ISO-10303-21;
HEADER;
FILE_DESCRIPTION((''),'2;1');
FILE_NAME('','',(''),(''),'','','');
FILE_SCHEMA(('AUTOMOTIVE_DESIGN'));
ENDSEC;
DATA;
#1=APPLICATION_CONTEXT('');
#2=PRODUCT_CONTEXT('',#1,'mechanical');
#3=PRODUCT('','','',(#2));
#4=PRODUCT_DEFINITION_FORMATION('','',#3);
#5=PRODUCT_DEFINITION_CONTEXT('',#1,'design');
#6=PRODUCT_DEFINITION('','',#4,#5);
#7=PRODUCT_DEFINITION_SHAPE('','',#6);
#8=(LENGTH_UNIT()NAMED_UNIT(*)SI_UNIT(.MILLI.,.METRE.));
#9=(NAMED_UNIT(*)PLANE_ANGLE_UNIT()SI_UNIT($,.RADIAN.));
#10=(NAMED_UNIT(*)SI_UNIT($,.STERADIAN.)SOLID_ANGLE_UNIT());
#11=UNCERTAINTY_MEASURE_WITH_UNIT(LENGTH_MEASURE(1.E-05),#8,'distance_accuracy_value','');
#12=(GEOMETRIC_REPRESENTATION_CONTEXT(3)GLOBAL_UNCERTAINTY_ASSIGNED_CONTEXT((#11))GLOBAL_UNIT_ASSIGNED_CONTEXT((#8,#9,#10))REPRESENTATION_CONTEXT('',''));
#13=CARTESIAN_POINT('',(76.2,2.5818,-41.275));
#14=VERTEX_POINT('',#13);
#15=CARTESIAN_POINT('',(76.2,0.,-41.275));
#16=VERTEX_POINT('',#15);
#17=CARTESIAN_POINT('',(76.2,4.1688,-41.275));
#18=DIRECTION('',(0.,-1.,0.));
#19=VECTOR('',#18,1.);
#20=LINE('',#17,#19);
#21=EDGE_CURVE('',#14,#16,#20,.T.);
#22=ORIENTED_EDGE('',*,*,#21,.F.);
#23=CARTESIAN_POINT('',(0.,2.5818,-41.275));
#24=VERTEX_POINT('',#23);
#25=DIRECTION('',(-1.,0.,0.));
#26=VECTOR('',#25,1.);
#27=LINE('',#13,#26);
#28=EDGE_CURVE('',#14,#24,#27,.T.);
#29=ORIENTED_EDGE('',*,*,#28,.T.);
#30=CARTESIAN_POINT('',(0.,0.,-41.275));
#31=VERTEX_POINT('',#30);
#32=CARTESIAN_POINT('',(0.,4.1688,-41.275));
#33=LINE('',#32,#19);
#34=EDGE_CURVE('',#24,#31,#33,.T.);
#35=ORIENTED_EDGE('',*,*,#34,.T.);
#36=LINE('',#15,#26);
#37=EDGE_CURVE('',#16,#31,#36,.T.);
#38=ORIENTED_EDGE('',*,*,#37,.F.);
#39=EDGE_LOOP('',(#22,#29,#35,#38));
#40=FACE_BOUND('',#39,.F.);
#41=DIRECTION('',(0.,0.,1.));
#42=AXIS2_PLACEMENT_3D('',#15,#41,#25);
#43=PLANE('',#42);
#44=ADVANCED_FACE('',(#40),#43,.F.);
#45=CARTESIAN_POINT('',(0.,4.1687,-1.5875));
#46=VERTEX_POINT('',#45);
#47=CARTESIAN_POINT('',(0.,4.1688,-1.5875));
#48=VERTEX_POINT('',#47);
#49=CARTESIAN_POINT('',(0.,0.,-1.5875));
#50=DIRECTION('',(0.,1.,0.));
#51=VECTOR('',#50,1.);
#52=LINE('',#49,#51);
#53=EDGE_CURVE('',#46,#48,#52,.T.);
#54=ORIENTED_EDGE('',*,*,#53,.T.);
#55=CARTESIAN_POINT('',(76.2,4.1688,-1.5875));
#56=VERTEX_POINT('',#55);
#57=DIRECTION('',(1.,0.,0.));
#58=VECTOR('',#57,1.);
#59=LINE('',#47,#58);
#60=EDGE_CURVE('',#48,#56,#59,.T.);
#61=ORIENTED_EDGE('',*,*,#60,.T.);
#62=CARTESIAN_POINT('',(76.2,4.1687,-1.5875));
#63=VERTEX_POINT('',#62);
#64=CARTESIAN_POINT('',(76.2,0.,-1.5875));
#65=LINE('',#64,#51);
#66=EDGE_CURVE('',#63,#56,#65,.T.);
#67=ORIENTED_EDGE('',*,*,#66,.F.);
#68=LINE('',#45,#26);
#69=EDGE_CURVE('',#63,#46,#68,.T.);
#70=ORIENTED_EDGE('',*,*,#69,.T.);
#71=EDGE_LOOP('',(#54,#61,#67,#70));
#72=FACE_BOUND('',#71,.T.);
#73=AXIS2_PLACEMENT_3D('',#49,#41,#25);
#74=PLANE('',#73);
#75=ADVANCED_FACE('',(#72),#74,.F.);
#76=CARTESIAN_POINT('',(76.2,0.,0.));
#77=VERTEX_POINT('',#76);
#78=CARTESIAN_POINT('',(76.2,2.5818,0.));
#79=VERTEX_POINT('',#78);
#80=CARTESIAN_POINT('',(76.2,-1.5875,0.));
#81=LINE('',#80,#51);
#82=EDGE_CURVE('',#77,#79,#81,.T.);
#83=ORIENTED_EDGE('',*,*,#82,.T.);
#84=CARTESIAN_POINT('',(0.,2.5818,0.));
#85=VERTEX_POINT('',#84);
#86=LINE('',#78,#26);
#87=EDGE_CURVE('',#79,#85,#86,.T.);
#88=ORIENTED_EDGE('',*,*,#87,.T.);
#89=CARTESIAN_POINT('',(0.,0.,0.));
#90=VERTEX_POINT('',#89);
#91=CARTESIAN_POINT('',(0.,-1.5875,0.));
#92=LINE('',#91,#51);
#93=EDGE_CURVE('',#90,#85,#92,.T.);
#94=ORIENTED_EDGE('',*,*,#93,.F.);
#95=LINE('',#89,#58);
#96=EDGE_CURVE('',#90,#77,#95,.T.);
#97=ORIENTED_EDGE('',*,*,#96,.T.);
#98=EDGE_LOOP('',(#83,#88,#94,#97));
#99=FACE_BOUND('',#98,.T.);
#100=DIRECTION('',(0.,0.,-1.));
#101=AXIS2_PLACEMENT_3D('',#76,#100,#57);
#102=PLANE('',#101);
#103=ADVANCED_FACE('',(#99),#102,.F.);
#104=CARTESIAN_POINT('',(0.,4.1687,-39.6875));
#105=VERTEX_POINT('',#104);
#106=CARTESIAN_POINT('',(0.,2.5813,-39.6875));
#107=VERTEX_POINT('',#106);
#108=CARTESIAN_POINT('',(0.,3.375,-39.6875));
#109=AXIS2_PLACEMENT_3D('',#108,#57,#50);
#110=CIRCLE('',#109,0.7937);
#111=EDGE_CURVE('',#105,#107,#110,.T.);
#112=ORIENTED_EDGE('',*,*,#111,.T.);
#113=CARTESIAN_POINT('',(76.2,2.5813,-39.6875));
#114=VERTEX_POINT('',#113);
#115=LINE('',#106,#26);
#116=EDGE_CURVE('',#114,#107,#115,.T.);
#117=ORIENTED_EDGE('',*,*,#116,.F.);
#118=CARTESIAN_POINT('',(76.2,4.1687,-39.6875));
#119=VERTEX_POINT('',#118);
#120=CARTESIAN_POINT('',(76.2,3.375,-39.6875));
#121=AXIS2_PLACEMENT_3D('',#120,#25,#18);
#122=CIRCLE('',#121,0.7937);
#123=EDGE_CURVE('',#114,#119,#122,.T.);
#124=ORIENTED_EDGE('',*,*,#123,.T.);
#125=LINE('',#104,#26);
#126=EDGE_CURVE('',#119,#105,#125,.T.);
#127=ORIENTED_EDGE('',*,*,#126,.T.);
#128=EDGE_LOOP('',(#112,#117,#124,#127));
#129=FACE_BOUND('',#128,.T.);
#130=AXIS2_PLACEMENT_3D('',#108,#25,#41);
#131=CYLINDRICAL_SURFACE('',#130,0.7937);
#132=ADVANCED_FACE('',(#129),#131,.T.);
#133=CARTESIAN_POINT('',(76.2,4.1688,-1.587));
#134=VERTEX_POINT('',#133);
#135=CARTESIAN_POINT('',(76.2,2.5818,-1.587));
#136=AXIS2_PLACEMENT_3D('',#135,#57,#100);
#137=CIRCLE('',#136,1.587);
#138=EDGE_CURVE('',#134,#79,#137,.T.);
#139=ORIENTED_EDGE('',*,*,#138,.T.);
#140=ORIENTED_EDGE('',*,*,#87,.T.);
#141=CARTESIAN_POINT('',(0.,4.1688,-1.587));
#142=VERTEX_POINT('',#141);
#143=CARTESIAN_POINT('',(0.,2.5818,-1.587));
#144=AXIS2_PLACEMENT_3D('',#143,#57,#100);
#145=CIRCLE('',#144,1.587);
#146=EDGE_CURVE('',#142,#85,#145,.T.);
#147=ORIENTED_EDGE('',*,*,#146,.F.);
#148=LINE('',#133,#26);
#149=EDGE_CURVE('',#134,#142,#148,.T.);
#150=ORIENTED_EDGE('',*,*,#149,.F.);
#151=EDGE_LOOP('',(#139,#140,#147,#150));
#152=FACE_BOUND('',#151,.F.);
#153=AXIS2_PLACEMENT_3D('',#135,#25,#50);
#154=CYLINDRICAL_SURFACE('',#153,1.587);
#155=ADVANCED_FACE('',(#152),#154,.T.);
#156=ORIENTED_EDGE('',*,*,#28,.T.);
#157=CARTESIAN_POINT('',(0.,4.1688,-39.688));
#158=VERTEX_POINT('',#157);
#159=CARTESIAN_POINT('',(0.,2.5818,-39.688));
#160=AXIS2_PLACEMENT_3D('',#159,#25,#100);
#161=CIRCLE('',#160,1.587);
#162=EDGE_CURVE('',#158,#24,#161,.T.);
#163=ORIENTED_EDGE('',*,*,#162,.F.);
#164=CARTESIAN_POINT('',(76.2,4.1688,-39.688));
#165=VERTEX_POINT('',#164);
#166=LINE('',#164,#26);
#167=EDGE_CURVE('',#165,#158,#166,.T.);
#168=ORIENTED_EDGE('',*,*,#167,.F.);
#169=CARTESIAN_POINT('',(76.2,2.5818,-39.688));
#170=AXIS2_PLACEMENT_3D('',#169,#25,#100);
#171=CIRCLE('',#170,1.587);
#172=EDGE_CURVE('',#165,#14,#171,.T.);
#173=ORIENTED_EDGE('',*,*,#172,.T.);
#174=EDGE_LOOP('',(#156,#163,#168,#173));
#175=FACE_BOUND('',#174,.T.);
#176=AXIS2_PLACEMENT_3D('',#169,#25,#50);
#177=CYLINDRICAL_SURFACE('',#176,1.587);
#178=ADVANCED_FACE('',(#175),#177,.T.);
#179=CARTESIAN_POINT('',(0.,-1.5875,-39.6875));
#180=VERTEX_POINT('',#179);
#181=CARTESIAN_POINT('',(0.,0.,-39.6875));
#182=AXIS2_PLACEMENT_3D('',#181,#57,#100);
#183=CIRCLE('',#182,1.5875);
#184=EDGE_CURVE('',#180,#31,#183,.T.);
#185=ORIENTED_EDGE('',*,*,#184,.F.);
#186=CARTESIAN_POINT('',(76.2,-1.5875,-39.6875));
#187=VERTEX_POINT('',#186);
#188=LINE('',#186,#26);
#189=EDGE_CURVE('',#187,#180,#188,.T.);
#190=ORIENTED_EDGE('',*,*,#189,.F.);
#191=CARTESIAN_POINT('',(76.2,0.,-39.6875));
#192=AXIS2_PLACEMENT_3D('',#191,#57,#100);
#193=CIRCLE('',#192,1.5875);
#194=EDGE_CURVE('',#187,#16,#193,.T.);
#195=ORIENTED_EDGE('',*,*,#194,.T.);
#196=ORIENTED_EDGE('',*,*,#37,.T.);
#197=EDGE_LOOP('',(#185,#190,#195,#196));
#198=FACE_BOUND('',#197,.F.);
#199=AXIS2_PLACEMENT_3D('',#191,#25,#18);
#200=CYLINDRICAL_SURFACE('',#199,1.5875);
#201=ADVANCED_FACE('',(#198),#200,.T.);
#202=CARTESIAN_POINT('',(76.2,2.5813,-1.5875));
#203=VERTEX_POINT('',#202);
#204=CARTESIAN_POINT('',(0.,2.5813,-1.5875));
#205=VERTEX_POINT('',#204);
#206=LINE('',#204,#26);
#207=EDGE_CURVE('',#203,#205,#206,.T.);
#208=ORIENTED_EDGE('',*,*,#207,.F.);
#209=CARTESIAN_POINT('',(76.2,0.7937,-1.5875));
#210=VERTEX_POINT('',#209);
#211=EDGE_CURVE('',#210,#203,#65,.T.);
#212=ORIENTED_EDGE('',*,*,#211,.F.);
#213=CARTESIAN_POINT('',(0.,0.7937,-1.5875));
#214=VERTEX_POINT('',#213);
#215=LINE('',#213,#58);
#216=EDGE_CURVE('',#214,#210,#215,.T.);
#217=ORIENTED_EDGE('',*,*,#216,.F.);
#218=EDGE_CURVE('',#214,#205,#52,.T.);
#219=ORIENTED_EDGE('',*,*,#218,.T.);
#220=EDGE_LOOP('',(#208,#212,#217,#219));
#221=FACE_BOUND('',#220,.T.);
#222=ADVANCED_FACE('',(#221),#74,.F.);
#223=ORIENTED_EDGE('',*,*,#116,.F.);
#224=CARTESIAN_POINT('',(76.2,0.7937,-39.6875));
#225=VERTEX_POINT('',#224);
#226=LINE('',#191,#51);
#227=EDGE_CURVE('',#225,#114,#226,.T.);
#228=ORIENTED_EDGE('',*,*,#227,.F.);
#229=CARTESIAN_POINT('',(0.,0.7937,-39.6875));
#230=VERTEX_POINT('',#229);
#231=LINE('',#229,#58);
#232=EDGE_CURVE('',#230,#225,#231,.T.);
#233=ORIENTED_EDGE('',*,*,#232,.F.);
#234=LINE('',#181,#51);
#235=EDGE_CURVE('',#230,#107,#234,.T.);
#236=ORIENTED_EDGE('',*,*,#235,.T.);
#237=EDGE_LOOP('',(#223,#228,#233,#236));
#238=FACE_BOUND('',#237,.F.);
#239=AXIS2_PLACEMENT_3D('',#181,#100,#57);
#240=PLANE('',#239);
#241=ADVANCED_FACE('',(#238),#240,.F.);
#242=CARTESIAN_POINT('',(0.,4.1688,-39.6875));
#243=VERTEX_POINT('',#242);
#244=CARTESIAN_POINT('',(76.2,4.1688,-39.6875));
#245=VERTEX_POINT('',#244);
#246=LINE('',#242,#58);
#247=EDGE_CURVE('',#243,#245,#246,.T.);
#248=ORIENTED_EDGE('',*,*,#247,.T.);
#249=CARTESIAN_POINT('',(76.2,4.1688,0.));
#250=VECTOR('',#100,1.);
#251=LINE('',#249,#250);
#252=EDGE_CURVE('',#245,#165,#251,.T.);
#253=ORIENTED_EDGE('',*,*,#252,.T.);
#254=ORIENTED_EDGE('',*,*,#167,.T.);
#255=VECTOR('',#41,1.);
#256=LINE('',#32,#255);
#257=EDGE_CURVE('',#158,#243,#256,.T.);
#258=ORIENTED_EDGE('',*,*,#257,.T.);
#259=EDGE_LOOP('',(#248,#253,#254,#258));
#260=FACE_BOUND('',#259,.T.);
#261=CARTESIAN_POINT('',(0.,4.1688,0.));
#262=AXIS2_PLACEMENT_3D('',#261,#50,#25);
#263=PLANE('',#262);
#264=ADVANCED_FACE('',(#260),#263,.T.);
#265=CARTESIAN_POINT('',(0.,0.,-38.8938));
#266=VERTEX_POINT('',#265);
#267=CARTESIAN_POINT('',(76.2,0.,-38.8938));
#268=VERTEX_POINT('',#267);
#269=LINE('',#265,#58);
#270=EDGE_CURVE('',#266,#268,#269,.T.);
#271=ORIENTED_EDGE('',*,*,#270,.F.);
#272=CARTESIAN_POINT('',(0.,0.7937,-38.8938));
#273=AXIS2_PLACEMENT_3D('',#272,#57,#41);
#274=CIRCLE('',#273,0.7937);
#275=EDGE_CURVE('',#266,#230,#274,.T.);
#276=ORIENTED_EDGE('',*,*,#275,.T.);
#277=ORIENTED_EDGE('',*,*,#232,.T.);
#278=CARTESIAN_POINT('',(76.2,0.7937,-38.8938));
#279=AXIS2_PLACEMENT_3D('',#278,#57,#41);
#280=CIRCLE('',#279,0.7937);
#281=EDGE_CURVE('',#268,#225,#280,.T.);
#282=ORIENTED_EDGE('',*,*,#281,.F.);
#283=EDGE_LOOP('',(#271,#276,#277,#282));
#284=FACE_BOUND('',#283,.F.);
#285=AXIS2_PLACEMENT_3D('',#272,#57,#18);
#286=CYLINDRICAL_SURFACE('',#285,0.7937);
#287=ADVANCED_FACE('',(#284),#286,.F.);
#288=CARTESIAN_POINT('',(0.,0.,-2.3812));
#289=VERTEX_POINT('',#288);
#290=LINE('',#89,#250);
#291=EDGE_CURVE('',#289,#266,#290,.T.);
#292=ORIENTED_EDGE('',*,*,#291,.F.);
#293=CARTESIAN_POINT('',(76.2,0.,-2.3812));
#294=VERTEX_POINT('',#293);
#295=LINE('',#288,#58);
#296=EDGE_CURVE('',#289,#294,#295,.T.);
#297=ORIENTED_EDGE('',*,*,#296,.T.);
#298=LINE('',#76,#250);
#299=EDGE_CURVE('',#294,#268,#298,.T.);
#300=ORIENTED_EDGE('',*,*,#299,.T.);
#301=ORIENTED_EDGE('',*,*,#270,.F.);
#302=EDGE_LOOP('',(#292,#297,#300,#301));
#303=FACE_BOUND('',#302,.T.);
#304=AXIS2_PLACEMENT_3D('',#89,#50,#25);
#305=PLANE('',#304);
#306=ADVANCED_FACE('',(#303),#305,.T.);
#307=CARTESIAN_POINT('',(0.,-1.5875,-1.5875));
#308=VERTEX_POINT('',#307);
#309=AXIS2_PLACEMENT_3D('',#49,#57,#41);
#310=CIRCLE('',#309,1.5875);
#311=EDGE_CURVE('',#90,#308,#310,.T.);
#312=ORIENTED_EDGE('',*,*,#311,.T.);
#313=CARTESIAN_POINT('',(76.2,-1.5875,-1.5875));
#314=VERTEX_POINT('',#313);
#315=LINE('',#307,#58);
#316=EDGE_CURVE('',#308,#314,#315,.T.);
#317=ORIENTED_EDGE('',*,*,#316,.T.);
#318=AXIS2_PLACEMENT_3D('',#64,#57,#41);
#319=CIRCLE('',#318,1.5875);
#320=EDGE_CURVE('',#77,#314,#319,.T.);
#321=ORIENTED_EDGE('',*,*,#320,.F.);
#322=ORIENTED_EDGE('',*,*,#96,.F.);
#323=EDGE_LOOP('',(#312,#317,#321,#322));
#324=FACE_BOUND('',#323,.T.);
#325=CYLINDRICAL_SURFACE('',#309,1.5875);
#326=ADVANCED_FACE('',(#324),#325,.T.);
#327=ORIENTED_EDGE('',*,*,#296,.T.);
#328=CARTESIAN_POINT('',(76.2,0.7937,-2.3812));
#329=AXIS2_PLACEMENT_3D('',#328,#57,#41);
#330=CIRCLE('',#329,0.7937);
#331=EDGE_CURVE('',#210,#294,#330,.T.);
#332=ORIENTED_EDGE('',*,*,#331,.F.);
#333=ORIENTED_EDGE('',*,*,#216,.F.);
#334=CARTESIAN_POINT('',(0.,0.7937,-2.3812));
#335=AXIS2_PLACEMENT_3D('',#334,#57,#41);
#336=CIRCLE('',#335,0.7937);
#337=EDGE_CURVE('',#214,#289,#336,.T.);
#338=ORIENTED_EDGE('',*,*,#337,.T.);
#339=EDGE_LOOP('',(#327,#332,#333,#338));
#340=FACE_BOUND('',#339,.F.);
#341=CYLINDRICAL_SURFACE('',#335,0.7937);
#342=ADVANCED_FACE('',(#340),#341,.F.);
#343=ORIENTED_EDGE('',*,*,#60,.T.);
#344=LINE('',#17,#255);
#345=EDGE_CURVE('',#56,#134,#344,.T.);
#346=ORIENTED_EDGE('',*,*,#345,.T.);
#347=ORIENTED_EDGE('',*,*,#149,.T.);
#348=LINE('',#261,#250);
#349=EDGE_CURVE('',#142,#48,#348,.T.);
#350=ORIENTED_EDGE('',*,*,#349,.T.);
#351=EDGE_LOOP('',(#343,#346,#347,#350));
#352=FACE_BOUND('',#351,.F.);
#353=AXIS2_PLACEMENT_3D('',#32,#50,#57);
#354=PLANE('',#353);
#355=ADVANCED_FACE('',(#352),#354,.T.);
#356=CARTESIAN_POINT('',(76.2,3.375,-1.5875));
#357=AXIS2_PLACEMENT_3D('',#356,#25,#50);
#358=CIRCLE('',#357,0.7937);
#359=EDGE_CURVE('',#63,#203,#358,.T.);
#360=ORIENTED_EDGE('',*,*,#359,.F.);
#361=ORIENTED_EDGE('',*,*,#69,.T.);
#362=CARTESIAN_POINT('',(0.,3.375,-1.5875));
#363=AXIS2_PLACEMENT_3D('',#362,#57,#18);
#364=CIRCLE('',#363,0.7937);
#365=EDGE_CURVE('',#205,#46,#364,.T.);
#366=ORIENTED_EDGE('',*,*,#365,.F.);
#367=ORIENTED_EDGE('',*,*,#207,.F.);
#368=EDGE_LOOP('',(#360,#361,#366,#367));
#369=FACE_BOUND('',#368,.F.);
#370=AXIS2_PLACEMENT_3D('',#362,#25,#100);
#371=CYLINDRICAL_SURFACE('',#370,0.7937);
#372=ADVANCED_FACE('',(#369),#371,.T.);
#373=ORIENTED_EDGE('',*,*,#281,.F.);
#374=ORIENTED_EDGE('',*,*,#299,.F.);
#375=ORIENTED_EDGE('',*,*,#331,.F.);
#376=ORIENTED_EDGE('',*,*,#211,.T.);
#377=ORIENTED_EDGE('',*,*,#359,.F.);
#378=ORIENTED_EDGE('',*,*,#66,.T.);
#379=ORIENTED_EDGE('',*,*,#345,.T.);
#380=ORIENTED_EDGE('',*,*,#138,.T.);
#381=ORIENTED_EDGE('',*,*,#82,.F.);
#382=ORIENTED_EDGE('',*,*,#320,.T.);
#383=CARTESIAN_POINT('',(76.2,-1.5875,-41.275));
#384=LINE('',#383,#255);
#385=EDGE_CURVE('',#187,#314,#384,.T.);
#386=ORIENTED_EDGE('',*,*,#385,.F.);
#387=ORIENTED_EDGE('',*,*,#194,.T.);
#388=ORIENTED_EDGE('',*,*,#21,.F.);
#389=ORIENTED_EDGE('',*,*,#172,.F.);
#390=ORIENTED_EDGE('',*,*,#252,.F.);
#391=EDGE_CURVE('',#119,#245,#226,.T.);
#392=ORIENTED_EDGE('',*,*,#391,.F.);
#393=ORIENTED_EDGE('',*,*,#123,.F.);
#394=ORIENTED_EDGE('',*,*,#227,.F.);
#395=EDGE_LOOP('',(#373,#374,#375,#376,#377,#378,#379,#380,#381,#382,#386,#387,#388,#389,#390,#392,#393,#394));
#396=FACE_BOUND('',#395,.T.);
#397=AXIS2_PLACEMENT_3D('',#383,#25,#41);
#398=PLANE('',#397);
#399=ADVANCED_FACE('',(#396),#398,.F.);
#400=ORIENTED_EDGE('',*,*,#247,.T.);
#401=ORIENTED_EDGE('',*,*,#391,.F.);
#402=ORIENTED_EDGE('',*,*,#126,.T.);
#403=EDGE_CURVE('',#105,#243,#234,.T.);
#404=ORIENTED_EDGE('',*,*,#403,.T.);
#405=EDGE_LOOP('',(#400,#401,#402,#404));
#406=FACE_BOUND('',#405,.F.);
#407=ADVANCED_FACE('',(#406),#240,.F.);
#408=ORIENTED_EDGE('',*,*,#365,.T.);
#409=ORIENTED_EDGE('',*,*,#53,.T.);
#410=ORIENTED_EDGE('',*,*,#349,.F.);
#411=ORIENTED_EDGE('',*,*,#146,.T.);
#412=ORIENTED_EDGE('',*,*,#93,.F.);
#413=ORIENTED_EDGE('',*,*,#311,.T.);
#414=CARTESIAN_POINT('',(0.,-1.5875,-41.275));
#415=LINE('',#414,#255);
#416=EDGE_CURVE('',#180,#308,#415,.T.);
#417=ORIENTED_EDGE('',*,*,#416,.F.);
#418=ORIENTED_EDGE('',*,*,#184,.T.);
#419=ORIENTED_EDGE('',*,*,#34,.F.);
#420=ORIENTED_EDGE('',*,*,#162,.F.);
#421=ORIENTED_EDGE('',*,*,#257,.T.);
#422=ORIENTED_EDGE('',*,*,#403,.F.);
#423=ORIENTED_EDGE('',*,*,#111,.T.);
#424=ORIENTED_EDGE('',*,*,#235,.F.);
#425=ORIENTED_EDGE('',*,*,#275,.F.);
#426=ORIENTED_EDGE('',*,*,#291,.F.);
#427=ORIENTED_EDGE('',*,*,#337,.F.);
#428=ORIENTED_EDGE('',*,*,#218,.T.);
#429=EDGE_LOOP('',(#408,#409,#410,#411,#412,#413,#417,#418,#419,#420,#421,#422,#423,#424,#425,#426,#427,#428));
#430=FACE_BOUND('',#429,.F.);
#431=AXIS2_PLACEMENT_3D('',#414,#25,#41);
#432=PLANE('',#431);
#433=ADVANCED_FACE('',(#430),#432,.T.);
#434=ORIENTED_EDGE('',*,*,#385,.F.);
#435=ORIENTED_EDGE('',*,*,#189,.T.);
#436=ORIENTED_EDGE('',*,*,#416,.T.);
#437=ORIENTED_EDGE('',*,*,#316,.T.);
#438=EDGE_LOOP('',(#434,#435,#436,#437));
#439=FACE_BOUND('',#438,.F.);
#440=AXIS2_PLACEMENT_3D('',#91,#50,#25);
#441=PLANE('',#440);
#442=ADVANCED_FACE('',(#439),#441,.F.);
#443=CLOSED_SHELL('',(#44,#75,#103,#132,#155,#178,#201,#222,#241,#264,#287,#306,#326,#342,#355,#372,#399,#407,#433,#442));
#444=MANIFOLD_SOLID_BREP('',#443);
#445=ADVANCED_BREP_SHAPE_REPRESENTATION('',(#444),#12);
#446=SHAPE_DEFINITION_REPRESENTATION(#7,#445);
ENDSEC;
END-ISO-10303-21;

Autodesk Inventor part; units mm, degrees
ref_plane "YZ Plane" through (0, 0, 0) normal (1, 0, 0) x (0, 1, 0)
ref_plane "XZ Plane" through (0, 0, 0) normal (0, 1, 0) x (-1, 0, 0)
sketch "Sketch1" plane through (0, 0, 0) normal (0, 1, 0) x (-1, 0, 0)
  line L0 (0, 0) -> (-76.2, 0)
  line L1 (-76.2, 0) -> (-76.2, -41.275)
  line L2 (-76.2, -41.275) -> (0, -41.275)
  line L3 (0, -41.275) -> (0, 0)
  line L4 (0, -39.6875) -> (-76.2, -39.6875)
  line L5 (0, -20.6375) -> (-76.2, -20.6375) construction
  dimension "d0" = 76.2
  dimension "d1" = 41.275
  dimension "d4" = 1.5875
extrude "Extrusion1" add sketch "Sketch1" against normal blind 1.5875
ref_plane "Work Plane1" through (76.2, 0, -20.6375) normal (0, 0, -1) x (-1, 0, 0)
extrude "Extrusion2" add sketch "Sketch1" along normal blind 4.1688 contours L3 L2 L1 L4
sketch "Sketch2" plane through (0, -1.5875, 0) normal (-1, 0, 0) x (0, 0, 1)
  line L0 (-41.275, 5.7563) -> (-39.6875, 5.7563) construction
  line L1 (-39.6875, 1.5875) -> (-39.6875, 5.7563) construction
  circle A0 centre (-39.6875, 4.9625) radius 0.7937
  dimension "d7" = 1.5875
extrude "Extrusion3" add sketch "Sketch2" against normal up to surface (76.2 mm away)
fillet "Fillet1" radius 1.5875 1 edges at (38.1, 4.1688, -41.275)
mirror "Mirror1" about plane through (76.2, 0, -20.6375) normal (0, 0, -1) of "Extrusion2", "Extrusion3", "Fillet1"
fillet "Fillet2" radius 1.5875 2 edges at (38.1, -1.5875, -41.275) (38.1, -1.5875, 0)
fillet "Fillet3" radius 0.7937 2 edges at (38.1, 0, -39.6875) (38.1, 0, -1.5875)
properties part number "Duct Cover"
